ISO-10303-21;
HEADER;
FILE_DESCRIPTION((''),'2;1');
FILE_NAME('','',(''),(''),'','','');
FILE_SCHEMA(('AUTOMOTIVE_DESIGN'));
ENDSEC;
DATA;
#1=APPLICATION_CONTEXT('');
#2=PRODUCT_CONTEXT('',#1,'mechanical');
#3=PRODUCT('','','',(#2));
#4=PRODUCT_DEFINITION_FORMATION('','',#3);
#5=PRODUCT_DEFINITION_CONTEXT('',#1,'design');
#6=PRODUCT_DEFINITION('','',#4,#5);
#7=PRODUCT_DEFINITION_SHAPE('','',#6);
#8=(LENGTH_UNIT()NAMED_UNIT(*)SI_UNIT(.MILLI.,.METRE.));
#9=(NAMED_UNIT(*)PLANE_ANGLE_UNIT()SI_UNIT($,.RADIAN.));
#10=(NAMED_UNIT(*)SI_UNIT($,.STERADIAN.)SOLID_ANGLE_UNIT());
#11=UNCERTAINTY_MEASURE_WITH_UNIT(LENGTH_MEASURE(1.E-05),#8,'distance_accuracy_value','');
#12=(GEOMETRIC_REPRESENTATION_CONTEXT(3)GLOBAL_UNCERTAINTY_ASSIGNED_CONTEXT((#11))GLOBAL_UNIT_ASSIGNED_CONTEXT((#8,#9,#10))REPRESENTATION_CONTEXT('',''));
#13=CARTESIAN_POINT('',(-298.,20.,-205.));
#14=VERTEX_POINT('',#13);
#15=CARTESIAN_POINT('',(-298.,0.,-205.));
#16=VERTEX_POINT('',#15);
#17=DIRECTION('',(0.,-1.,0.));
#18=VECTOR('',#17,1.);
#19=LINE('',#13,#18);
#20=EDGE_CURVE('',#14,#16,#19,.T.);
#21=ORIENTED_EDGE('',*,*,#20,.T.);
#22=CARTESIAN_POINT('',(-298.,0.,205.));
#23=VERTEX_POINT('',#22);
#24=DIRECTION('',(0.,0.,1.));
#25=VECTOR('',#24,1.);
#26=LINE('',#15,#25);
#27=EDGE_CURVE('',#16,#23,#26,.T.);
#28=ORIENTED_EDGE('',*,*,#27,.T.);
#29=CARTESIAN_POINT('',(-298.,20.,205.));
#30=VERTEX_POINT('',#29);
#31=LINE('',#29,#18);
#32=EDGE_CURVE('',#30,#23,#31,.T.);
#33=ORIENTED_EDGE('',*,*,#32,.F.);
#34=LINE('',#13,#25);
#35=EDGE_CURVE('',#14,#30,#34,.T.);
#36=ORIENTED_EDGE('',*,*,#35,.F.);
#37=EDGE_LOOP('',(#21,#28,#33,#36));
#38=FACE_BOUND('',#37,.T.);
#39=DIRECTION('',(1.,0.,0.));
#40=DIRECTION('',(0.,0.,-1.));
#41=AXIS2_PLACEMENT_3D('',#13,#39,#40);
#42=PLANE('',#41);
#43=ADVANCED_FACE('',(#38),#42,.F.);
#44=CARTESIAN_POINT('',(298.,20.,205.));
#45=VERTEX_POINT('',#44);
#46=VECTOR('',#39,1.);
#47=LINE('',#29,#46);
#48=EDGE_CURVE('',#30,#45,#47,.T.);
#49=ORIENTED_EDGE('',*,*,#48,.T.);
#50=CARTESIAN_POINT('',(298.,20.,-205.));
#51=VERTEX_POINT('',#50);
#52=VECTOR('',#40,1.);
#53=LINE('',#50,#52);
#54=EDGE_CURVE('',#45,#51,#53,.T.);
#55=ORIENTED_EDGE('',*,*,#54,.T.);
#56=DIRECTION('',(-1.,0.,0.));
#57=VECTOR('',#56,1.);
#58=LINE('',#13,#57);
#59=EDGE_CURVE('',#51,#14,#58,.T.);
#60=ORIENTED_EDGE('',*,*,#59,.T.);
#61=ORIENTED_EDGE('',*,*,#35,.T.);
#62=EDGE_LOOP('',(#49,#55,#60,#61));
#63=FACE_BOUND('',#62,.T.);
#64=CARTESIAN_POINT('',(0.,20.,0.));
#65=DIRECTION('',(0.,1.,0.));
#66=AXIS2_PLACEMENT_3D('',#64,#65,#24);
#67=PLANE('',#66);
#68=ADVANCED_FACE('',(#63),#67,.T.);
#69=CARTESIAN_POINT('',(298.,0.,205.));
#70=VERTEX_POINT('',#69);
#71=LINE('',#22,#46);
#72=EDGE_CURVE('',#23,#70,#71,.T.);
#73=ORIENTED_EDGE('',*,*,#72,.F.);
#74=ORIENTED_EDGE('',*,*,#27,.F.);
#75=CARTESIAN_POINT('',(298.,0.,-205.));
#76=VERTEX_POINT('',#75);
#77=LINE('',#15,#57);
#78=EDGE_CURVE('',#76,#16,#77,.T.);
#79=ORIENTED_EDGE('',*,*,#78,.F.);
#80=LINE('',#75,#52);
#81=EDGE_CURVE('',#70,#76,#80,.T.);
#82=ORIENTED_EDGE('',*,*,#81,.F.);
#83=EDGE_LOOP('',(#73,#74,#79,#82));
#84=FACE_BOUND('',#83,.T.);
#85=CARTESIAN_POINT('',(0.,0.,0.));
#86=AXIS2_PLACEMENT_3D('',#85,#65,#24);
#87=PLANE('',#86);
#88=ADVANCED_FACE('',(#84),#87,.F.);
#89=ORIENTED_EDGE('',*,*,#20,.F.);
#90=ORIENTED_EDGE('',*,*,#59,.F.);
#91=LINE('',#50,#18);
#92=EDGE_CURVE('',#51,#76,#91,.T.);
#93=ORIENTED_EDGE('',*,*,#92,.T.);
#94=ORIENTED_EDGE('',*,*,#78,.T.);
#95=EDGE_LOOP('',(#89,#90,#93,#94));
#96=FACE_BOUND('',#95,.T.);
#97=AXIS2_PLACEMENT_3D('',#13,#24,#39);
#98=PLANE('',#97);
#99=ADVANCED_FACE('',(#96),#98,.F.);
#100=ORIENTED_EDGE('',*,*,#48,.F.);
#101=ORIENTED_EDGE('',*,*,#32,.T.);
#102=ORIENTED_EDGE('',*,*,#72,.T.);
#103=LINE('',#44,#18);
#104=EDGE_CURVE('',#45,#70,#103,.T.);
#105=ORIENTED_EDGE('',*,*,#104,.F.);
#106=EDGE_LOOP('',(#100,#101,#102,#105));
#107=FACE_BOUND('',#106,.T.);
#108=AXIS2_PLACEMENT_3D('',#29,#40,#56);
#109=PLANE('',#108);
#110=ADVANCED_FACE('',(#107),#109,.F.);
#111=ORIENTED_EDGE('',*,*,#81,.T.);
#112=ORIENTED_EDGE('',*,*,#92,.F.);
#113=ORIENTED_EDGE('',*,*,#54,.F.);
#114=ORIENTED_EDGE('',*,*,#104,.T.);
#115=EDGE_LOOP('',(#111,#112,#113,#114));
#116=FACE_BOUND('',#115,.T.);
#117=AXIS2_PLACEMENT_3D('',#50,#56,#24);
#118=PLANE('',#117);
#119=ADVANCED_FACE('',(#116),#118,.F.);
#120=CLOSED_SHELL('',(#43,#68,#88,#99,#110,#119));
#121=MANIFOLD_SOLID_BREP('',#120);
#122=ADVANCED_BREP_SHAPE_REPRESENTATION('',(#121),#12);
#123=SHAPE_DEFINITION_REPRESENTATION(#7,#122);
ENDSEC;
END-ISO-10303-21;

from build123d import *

# Parameters (mm, degrees)
SKETCH_1_W        = 596
SKETCH_1_H        = 410
EXTRUDE_251_DEPTH = 20


with BuildPart() as part:
    # Эскиз1 → Extrude 251 (new body)
    with BuildSketch(Plane(origin=(0, 0, 0), x_dir=(1, 0, 0), z_dir=(0, 1, 0))):
        Rectangle(SKETCH_1_W, SKETCH_1_H)
    extrude(amount=EXTRUDE_251_DEPTH)


solid = part.part
